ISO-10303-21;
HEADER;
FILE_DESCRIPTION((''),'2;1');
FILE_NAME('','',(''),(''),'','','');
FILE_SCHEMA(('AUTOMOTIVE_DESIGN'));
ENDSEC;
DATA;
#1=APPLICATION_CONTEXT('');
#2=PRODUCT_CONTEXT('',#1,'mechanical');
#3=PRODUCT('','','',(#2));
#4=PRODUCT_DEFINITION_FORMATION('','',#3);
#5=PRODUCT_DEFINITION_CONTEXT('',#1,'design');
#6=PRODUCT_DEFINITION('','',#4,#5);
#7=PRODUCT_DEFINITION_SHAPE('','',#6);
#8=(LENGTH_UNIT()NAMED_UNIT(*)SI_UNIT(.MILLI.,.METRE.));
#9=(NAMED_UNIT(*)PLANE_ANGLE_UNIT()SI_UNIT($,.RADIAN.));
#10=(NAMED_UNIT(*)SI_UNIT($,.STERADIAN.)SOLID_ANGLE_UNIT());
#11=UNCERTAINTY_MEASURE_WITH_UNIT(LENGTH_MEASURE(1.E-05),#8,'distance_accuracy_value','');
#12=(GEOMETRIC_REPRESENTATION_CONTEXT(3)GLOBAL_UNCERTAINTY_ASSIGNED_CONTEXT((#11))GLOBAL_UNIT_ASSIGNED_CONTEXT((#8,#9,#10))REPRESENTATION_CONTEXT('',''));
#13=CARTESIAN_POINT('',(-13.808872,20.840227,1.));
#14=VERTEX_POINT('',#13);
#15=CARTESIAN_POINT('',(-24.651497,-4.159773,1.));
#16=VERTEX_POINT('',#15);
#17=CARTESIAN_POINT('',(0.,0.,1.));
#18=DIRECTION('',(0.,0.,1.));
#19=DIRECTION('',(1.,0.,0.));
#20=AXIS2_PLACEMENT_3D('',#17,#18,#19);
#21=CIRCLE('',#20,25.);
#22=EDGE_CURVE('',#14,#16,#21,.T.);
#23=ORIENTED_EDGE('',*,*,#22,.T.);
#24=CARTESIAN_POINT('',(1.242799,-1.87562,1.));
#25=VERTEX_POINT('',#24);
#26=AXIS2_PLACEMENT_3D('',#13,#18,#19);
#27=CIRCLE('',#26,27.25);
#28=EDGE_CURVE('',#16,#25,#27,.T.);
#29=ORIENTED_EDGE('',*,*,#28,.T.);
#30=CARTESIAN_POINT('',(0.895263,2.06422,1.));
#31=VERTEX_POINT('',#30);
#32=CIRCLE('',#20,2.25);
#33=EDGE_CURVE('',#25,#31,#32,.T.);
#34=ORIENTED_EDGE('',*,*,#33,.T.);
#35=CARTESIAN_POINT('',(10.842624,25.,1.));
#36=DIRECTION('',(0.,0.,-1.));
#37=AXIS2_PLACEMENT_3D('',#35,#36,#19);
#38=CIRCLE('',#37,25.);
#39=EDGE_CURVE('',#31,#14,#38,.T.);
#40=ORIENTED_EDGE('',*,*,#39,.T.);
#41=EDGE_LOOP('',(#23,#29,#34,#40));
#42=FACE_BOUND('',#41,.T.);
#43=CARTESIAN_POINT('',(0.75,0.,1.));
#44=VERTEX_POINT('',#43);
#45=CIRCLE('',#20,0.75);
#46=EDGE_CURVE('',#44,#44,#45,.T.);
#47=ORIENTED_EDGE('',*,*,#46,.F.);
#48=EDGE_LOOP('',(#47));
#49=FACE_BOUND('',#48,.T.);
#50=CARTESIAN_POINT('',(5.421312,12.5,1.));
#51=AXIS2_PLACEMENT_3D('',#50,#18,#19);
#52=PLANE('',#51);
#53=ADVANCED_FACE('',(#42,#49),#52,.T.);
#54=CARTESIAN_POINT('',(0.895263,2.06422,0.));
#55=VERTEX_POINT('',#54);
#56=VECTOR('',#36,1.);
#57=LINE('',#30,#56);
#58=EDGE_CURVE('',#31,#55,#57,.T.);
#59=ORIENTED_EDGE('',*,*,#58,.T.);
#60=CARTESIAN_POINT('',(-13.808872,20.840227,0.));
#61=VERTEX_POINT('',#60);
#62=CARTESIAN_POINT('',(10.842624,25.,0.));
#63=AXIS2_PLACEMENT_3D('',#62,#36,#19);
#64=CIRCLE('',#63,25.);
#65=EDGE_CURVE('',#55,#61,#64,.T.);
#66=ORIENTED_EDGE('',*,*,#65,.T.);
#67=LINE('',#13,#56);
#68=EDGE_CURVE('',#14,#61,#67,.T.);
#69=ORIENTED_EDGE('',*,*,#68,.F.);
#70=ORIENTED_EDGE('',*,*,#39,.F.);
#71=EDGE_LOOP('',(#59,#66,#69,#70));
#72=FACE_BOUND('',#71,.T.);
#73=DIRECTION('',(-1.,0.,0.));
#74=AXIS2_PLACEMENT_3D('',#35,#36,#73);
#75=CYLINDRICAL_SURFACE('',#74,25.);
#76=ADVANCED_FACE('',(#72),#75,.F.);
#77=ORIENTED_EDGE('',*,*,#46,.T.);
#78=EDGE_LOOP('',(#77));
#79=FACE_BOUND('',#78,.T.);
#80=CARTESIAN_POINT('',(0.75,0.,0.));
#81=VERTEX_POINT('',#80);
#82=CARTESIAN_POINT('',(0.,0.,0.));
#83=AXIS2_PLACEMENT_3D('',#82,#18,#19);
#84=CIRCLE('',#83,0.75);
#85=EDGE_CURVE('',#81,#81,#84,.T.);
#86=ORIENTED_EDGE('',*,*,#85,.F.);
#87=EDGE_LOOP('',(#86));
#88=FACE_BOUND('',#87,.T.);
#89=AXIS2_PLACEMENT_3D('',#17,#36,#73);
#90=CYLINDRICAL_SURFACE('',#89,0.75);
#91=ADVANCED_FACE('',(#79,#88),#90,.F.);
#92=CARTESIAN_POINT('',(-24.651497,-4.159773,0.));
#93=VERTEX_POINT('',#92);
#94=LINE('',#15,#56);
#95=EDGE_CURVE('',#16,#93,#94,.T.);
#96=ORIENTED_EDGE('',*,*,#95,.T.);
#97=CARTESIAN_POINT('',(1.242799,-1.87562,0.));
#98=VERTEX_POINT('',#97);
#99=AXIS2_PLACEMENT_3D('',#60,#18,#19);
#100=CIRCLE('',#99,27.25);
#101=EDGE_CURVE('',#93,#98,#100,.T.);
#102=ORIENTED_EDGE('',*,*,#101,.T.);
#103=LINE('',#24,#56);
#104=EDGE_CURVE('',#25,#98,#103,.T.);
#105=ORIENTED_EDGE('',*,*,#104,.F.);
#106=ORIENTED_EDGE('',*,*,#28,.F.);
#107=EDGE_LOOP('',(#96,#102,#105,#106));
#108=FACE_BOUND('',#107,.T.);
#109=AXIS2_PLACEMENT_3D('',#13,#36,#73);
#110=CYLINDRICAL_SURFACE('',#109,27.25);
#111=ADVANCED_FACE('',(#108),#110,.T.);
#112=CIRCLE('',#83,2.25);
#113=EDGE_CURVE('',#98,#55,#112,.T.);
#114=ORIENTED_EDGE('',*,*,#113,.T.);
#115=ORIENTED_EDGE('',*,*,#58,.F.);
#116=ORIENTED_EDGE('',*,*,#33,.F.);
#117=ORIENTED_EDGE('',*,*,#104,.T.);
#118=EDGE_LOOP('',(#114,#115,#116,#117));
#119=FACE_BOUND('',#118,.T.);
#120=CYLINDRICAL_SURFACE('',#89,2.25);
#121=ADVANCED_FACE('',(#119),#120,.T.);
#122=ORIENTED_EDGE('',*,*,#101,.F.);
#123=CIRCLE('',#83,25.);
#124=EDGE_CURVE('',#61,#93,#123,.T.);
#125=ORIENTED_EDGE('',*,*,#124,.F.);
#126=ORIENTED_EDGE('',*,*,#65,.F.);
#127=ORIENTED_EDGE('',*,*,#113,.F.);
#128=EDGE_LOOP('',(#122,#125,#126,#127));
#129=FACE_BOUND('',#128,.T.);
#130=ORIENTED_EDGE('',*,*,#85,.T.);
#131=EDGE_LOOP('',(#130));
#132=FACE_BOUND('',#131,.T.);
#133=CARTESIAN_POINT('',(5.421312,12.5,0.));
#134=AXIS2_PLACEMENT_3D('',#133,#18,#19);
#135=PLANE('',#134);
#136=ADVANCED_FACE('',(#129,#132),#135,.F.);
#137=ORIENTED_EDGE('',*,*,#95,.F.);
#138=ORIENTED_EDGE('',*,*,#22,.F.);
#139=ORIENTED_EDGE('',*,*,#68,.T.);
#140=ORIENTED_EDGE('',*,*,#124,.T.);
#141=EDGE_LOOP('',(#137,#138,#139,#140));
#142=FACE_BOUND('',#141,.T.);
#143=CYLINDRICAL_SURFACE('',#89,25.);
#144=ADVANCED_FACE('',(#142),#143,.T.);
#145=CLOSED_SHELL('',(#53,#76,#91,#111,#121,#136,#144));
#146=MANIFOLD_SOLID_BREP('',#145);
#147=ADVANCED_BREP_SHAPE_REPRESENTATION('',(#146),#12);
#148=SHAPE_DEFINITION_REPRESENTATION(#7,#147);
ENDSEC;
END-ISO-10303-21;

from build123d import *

# Parameters (mm, degrees)
SKETCH1_R           = 0.75
BOSS_EXTRUDE1_DEPTH = 1


with BuildPart() as part:
    # Sketch1 → Boss-Extrude1 (new body)
    with BuildSketch(Plane.XY):
        with BuildLine():
            ThreePointArc((1.242798515, -1.875620391), (2.241296995, 0.197706303), (0.89526255, 2.064220183))
            ThreePointArc((0.89526255, 2.064220183), (-8.839978566, 9.585878309), (-13.808872387, 20.840226568))
            ThreePointArc((-13.808872387, 20.840226568), (-22.935779817, 9.947361671), (-24.651496608, -4.159773432))
            ThreePointArc((-24.651496608, -4.159773432), (-11.414429389, -6.304370366), (1.242798515, -1.875620391))
        make_face()
        Circle(SKETCH1_R, mode=Mode.SUBTRACT)
    extrude(amount=BOSS_EXTRUDE1_DEPTH)


solid = part.part
